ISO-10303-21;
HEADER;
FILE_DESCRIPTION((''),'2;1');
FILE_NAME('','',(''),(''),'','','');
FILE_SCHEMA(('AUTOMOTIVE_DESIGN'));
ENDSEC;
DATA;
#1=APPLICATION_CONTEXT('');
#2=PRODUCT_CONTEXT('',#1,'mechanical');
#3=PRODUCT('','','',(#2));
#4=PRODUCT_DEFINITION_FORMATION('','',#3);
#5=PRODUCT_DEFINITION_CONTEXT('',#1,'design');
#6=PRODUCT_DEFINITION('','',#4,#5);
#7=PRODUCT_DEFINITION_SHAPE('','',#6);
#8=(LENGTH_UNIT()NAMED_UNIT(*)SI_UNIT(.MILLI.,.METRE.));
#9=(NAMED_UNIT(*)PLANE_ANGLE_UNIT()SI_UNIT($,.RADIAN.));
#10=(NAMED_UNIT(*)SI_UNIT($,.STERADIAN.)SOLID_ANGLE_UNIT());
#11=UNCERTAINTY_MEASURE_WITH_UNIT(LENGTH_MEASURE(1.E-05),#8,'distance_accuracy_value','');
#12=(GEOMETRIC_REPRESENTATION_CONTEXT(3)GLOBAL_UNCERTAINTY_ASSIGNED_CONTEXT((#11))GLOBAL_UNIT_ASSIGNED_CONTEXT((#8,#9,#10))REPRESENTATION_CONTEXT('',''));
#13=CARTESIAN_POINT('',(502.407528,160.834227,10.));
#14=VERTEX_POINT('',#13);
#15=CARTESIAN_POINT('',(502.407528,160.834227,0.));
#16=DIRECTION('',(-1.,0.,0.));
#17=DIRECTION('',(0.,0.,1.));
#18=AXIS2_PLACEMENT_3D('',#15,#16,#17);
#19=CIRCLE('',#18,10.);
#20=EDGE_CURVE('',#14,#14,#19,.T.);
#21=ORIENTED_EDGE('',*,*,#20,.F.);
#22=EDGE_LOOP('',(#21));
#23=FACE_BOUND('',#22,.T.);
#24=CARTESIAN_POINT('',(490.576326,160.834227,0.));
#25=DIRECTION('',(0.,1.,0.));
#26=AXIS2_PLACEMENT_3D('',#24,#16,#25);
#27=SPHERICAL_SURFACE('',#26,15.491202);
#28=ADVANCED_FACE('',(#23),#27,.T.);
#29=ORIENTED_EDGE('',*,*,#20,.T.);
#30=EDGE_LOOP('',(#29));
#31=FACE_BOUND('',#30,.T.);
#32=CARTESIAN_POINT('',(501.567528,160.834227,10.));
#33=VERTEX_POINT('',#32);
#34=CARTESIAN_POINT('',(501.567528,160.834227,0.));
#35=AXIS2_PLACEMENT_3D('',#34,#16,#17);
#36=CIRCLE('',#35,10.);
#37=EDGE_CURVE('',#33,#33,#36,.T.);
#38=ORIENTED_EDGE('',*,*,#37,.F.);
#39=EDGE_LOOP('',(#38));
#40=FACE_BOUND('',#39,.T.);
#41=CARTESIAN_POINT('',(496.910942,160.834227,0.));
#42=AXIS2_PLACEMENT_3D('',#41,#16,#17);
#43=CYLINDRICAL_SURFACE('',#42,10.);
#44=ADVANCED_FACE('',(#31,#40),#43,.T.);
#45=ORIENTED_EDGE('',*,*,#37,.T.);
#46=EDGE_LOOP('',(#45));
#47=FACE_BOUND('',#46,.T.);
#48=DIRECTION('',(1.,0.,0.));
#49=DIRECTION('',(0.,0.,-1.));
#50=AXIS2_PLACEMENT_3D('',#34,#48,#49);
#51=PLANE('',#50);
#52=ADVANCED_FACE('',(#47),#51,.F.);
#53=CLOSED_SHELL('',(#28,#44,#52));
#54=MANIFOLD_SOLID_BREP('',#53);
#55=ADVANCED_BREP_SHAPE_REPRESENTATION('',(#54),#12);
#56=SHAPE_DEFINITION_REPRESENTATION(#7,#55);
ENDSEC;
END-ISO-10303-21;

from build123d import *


with BuildPart() as part:
    # 草图1 → 旋转1 (revolve)
    with BuildSketch(Plane.XY):
        with BuildLine():
            Line((501.567527699, 160.83422707), (501.567527699, 170.83422707))
            Line((501.567527699, 170.83422707), (502.407527699, 170.83422707))
            ThreePointArc((502.407527699, 170.83422707), (505.123780451, 166.158595577), (506.067527699, 160.83422707))
            Line((506.067527699, 160.83422707), (501.567527699, 160.83422707))
        make_face()
    revolve(axis=Axis((496.910941924, 160.83422707, 0), (1, 0, 0)))


solid = part.part
